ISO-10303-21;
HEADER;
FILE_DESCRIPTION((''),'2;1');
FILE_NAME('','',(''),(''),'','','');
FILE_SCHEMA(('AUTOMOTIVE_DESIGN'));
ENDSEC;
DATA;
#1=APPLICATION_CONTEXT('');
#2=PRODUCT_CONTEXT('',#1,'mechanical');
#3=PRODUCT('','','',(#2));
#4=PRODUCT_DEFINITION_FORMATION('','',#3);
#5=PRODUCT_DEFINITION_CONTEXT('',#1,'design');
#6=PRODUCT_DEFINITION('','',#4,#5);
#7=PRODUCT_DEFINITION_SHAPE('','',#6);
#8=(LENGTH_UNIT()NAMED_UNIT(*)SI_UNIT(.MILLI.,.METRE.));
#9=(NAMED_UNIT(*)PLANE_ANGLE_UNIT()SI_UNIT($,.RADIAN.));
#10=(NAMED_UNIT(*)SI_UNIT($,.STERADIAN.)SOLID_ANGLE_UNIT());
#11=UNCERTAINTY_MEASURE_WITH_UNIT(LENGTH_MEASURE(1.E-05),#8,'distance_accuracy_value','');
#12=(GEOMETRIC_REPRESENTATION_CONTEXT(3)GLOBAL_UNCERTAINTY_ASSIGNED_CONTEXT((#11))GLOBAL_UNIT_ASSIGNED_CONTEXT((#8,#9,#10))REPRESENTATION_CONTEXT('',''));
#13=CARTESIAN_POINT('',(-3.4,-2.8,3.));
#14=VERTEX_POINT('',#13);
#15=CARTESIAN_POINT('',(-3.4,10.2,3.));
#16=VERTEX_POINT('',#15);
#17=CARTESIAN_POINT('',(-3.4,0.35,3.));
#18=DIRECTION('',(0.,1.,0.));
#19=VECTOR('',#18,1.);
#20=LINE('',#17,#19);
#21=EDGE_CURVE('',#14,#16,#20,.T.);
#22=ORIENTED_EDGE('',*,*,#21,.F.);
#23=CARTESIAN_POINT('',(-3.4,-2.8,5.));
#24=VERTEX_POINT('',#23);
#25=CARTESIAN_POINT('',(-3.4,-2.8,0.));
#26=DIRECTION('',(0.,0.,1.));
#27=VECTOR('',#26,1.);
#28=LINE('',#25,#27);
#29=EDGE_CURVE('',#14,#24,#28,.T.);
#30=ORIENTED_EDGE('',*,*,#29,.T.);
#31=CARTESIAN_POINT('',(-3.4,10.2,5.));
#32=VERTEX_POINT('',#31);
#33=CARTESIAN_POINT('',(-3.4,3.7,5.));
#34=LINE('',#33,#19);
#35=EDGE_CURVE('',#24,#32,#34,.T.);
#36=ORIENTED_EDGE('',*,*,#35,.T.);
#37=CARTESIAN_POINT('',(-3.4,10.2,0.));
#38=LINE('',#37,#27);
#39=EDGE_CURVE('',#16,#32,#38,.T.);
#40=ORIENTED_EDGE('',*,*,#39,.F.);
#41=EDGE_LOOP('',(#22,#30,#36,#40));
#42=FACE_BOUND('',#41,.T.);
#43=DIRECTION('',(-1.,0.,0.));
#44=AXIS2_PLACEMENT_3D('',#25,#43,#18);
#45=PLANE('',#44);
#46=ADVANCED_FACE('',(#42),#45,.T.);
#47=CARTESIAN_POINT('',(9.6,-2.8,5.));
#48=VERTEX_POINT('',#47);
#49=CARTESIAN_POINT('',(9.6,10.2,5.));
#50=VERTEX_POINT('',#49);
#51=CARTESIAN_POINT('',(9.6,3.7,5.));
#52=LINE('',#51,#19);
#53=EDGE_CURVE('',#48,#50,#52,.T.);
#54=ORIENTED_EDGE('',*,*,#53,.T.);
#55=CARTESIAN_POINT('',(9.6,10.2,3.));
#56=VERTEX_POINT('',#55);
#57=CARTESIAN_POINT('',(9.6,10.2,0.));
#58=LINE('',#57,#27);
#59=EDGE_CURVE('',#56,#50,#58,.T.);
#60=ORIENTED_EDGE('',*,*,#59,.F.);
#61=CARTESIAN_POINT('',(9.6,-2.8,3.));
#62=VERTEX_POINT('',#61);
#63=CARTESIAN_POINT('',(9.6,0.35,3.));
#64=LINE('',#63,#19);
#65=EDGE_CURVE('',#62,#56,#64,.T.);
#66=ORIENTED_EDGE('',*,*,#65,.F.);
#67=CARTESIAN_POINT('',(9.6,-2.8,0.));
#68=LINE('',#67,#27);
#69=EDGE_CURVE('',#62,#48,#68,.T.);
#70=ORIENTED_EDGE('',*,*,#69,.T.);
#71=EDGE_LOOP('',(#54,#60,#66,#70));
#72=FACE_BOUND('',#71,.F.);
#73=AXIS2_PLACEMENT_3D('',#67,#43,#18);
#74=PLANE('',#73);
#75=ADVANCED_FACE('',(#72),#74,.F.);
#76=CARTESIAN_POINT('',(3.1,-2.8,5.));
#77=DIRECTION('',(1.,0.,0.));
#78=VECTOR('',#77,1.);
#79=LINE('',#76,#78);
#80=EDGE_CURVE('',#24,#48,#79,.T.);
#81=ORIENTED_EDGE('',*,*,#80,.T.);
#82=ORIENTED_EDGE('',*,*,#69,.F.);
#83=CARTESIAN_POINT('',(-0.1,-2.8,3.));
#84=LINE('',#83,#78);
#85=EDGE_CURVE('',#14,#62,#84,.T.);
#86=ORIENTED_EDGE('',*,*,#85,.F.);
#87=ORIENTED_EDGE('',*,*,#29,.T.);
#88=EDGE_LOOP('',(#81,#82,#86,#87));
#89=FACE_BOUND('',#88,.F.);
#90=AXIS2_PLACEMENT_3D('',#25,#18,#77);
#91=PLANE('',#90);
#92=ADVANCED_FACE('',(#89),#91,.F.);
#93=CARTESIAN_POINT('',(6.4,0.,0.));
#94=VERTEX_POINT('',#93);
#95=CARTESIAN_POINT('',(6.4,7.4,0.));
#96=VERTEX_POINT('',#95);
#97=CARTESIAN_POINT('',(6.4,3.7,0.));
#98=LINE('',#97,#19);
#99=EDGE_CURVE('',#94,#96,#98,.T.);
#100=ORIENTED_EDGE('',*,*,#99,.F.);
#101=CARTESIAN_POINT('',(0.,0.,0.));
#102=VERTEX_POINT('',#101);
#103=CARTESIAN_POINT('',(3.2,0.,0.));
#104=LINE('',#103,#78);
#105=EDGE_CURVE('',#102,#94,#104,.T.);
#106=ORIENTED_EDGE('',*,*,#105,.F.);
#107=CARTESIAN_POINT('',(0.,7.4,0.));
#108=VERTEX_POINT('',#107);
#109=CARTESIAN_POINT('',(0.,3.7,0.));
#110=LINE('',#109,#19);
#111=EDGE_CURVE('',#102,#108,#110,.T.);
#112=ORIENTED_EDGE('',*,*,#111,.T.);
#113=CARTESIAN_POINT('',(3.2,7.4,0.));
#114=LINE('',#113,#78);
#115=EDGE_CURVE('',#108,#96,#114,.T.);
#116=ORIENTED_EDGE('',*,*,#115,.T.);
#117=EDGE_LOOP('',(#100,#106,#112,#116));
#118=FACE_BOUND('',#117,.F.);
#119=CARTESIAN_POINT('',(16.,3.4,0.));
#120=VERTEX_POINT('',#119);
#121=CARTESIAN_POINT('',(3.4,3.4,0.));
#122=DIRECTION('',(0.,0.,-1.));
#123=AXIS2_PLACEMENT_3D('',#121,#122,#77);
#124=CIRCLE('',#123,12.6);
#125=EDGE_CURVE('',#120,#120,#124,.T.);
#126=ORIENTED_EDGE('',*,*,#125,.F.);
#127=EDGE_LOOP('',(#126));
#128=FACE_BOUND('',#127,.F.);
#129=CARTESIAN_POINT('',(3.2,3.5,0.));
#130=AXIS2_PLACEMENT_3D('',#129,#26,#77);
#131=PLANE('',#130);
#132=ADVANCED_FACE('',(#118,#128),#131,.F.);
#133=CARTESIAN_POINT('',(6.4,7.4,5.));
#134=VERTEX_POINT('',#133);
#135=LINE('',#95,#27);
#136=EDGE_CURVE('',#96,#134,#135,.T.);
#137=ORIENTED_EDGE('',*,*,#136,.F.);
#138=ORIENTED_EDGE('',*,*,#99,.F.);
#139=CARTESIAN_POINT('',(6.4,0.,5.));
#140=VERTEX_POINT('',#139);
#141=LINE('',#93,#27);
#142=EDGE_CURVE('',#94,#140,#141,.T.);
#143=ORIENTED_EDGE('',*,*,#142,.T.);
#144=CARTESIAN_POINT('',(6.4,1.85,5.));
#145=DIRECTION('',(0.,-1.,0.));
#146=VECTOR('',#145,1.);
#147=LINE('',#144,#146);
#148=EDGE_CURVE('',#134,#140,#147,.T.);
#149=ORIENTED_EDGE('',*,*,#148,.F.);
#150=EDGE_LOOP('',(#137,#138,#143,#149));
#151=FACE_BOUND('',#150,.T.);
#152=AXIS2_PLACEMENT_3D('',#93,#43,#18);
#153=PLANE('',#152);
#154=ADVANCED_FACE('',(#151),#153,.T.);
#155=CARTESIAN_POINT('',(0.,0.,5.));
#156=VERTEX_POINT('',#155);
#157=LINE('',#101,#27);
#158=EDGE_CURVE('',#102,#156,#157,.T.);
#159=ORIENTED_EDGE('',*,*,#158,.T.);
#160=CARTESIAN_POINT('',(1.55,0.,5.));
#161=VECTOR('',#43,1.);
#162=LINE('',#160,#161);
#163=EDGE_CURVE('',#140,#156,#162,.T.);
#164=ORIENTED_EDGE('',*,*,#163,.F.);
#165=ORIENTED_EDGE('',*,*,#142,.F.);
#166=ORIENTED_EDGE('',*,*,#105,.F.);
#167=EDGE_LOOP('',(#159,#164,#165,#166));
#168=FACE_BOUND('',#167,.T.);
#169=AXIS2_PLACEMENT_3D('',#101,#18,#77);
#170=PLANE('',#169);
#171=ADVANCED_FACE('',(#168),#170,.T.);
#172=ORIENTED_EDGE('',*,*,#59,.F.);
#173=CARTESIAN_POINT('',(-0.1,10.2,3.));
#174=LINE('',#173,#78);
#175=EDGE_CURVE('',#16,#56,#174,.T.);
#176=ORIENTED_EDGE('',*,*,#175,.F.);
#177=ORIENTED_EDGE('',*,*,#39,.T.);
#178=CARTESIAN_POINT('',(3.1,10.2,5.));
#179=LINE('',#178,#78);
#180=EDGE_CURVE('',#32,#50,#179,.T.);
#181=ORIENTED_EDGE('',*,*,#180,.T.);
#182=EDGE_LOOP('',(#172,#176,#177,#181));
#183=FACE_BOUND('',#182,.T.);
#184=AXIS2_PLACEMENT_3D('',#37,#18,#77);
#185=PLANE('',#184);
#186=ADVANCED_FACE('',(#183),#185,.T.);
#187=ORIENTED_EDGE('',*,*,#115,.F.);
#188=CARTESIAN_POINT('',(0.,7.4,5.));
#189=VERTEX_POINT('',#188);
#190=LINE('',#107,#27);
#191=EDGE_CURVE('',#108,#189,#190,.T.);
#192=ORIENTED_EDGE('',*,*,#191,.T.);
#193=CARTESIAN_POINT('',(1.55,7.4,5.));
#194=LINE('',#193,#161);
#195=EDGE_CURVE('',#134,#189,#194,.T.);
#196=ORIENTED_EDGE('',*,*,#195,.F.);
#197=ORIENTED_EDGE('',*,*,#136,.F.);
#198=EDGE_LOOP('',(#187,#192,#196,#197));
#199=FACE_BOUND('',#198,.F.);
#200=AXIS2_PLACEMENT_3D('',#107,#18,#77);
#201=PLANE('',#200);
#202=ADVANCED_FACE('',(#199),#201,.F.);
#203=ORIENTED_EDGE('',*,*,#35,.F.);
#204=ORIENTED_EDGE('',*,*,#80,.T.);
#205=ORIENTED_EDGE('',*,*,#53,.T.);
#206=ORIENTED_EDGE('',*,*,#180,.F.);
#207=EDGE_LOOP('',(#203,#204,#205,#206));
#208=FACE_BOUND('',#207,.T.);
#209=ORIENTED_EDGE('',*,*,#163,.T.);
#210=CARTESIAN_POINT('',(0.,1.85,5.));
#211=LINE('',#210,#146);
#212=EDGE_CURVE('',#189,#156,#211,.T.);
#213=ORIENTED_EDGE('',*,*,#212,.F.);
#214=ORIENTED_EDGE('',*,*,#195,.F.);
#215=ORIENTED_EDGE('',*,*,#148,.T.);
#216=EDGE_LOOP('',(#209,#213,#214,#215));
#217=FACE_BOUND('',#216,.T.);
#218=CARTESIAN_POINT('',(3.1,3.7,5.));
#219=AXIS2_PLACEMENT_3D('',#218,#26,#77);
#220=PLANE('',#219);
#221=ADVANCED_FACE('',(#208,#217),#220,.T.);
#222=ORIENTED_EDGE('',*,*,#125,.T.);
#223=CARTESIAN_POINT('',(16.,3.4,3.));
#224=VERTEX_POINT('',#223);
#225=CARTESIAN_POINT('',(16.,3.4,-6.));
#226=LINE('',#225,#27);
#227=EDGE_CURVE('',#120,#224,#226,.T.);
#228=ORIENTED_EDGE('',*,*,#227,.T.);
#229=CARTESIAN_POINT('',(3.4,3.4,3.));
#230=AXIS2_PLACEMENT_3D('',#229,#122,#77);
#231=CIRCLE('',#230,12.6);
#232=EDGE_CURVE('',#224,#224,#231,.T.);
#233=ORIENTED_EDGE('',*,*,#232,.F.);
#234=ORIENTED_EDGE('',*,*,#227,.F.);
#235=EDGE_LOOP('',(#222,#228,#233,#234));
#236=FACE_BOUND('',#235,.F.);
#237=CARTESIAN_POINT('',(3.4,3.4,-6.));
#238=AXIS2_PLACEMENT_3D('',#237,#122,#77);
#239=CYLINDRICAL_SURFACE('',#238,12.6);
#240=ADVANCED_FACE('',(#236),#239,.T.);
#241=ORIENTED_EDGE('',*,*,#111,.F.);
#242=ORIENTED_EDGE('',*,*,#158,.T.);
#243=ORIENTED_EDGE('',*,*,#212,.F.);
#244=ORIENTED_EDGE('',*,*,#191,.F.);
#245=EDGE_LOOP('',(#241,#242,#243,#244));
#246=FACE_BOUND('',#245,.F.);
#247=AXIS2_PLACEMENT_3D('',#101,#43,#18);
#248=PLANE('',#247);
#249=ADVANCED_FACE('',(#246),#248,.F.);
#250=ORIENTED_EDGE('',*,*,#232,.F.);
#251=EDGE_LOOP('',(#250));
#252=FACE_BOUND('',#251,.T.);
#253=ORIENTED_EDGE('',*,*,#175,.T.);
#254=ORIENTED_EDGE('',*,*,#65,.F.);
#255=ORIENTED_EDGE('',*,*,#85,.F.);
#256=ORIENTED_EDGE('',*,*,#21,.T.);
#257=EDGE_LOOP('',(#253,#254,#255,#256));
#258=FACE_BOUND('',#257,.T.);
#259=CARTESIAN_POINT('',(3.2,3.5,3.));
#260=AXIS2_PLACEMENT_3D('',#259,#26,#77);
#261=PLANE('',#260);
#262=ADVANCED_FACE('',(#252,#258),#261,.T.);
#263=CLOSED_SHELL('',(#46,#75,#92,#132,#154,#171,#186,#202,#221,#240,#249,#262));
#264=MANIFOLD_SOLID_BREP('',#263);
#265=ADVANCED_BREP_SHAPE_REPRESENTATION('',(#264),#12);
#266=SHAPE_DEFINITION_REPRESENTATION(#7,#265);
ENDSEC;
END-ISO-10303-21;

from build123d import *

# Parameters (mm, degrees)
CYLINDER003_R     = 12.6
CYLINDER003_DEPTH = 17
BOX_W             = 6.4
BOX_H             = 7.4
BOX_DEPTH         = 10
CYLINDER002_R     = 15.4
CYLINDER002_DEPTH = 3
CYLINDER001_R     = 14.4
CYLINDER001_DEPTH = 12
CYLINDER_R        = 17.4
CYLINDER_DEPTH    = 10
BOX001_W          = 13
BOX001_H          = 13
BOX001_DEPTH      = 5


with BuildPart() as cylinder003:
    # Cylinder003 → Cylinder003 (new body)
    with BuildSketch(Plane(origin=(3.4, 3.4, -6), x_dir=(1, 0, 0), z_dir=(0, 0, 1))):
        Circle(CYLINDER003_R)
    extrude(amount=CYLINDER003_DEPTH)


with BuildPart() as cube:
    # Box → Box (new body)
    with BuildSketch(Plane.XY):
        with Locations((3.2, 3.7)):
            Rectangle(BOX_W, BOX_H)
    extrude(amount=BOX_DEPTH)


with BuildPart() as cylinder002:
    # Cylinder002 → Cylinder002 (new body)
    with BuildSketch(Plane(origin=(3.2, 3.5, 0), x_dir=(1, 0, 0), z_dir=(0, 0, 1))):
        Circle(CYLINDER002_R)
    extrude(amount=CYLINDER002_DEPTH)


with BuildPart() as cylinder001:
    # Cylinder001 → Cylinder001 (new body)
    with BuildSketch(Plane(origin=(3.2, 3.5, 0), x_dir=(1, 0, 0), z_dir=(0, 0, 1))):
        Circle(CYLINDER001_R)
    extrude(amount=CYLINDER001_DEPTH)


with BuildPart() as cut:
    # Cylinder → Cylinder (new body)
    with BuildSketch(Plane(origin=(3.2, 3.5, 0), x_dir=(1, 0, 0), z_dir=(0, 0, 1))):
        Circle(CYLINDER_R)
    extrude(amount=CYLINDER_DEPTH)

    # Cut: cut Cylinder001
    add(cylinder001.part, mode=Mode.SUBTRACT)


with BuildPart() as common:
    # Box001 → Box001 (new body)
    with BuildSketch(Plane(origin=(-3.4, -2.8, 0), x_dir=(1, 0, 0), z_dir=(0, 0, 1))):
        with Locations((6.5, 6.5)):
            Rectangle(BOX001_W, BOX001_H)
    extrude(amount=BOX001_DEPTH)

    # Fusion: union Cylinder002, Cut
    add(cylinder002.part)
    add(cut.part)

    # Cut001: cut Cube
    add(cube.part, mode=Mode.SUBTRACT)

    # Common: intersect Cylinder003
    add(cylinder003.part, mode=Mode.INTERSECT)


solid = common.part
